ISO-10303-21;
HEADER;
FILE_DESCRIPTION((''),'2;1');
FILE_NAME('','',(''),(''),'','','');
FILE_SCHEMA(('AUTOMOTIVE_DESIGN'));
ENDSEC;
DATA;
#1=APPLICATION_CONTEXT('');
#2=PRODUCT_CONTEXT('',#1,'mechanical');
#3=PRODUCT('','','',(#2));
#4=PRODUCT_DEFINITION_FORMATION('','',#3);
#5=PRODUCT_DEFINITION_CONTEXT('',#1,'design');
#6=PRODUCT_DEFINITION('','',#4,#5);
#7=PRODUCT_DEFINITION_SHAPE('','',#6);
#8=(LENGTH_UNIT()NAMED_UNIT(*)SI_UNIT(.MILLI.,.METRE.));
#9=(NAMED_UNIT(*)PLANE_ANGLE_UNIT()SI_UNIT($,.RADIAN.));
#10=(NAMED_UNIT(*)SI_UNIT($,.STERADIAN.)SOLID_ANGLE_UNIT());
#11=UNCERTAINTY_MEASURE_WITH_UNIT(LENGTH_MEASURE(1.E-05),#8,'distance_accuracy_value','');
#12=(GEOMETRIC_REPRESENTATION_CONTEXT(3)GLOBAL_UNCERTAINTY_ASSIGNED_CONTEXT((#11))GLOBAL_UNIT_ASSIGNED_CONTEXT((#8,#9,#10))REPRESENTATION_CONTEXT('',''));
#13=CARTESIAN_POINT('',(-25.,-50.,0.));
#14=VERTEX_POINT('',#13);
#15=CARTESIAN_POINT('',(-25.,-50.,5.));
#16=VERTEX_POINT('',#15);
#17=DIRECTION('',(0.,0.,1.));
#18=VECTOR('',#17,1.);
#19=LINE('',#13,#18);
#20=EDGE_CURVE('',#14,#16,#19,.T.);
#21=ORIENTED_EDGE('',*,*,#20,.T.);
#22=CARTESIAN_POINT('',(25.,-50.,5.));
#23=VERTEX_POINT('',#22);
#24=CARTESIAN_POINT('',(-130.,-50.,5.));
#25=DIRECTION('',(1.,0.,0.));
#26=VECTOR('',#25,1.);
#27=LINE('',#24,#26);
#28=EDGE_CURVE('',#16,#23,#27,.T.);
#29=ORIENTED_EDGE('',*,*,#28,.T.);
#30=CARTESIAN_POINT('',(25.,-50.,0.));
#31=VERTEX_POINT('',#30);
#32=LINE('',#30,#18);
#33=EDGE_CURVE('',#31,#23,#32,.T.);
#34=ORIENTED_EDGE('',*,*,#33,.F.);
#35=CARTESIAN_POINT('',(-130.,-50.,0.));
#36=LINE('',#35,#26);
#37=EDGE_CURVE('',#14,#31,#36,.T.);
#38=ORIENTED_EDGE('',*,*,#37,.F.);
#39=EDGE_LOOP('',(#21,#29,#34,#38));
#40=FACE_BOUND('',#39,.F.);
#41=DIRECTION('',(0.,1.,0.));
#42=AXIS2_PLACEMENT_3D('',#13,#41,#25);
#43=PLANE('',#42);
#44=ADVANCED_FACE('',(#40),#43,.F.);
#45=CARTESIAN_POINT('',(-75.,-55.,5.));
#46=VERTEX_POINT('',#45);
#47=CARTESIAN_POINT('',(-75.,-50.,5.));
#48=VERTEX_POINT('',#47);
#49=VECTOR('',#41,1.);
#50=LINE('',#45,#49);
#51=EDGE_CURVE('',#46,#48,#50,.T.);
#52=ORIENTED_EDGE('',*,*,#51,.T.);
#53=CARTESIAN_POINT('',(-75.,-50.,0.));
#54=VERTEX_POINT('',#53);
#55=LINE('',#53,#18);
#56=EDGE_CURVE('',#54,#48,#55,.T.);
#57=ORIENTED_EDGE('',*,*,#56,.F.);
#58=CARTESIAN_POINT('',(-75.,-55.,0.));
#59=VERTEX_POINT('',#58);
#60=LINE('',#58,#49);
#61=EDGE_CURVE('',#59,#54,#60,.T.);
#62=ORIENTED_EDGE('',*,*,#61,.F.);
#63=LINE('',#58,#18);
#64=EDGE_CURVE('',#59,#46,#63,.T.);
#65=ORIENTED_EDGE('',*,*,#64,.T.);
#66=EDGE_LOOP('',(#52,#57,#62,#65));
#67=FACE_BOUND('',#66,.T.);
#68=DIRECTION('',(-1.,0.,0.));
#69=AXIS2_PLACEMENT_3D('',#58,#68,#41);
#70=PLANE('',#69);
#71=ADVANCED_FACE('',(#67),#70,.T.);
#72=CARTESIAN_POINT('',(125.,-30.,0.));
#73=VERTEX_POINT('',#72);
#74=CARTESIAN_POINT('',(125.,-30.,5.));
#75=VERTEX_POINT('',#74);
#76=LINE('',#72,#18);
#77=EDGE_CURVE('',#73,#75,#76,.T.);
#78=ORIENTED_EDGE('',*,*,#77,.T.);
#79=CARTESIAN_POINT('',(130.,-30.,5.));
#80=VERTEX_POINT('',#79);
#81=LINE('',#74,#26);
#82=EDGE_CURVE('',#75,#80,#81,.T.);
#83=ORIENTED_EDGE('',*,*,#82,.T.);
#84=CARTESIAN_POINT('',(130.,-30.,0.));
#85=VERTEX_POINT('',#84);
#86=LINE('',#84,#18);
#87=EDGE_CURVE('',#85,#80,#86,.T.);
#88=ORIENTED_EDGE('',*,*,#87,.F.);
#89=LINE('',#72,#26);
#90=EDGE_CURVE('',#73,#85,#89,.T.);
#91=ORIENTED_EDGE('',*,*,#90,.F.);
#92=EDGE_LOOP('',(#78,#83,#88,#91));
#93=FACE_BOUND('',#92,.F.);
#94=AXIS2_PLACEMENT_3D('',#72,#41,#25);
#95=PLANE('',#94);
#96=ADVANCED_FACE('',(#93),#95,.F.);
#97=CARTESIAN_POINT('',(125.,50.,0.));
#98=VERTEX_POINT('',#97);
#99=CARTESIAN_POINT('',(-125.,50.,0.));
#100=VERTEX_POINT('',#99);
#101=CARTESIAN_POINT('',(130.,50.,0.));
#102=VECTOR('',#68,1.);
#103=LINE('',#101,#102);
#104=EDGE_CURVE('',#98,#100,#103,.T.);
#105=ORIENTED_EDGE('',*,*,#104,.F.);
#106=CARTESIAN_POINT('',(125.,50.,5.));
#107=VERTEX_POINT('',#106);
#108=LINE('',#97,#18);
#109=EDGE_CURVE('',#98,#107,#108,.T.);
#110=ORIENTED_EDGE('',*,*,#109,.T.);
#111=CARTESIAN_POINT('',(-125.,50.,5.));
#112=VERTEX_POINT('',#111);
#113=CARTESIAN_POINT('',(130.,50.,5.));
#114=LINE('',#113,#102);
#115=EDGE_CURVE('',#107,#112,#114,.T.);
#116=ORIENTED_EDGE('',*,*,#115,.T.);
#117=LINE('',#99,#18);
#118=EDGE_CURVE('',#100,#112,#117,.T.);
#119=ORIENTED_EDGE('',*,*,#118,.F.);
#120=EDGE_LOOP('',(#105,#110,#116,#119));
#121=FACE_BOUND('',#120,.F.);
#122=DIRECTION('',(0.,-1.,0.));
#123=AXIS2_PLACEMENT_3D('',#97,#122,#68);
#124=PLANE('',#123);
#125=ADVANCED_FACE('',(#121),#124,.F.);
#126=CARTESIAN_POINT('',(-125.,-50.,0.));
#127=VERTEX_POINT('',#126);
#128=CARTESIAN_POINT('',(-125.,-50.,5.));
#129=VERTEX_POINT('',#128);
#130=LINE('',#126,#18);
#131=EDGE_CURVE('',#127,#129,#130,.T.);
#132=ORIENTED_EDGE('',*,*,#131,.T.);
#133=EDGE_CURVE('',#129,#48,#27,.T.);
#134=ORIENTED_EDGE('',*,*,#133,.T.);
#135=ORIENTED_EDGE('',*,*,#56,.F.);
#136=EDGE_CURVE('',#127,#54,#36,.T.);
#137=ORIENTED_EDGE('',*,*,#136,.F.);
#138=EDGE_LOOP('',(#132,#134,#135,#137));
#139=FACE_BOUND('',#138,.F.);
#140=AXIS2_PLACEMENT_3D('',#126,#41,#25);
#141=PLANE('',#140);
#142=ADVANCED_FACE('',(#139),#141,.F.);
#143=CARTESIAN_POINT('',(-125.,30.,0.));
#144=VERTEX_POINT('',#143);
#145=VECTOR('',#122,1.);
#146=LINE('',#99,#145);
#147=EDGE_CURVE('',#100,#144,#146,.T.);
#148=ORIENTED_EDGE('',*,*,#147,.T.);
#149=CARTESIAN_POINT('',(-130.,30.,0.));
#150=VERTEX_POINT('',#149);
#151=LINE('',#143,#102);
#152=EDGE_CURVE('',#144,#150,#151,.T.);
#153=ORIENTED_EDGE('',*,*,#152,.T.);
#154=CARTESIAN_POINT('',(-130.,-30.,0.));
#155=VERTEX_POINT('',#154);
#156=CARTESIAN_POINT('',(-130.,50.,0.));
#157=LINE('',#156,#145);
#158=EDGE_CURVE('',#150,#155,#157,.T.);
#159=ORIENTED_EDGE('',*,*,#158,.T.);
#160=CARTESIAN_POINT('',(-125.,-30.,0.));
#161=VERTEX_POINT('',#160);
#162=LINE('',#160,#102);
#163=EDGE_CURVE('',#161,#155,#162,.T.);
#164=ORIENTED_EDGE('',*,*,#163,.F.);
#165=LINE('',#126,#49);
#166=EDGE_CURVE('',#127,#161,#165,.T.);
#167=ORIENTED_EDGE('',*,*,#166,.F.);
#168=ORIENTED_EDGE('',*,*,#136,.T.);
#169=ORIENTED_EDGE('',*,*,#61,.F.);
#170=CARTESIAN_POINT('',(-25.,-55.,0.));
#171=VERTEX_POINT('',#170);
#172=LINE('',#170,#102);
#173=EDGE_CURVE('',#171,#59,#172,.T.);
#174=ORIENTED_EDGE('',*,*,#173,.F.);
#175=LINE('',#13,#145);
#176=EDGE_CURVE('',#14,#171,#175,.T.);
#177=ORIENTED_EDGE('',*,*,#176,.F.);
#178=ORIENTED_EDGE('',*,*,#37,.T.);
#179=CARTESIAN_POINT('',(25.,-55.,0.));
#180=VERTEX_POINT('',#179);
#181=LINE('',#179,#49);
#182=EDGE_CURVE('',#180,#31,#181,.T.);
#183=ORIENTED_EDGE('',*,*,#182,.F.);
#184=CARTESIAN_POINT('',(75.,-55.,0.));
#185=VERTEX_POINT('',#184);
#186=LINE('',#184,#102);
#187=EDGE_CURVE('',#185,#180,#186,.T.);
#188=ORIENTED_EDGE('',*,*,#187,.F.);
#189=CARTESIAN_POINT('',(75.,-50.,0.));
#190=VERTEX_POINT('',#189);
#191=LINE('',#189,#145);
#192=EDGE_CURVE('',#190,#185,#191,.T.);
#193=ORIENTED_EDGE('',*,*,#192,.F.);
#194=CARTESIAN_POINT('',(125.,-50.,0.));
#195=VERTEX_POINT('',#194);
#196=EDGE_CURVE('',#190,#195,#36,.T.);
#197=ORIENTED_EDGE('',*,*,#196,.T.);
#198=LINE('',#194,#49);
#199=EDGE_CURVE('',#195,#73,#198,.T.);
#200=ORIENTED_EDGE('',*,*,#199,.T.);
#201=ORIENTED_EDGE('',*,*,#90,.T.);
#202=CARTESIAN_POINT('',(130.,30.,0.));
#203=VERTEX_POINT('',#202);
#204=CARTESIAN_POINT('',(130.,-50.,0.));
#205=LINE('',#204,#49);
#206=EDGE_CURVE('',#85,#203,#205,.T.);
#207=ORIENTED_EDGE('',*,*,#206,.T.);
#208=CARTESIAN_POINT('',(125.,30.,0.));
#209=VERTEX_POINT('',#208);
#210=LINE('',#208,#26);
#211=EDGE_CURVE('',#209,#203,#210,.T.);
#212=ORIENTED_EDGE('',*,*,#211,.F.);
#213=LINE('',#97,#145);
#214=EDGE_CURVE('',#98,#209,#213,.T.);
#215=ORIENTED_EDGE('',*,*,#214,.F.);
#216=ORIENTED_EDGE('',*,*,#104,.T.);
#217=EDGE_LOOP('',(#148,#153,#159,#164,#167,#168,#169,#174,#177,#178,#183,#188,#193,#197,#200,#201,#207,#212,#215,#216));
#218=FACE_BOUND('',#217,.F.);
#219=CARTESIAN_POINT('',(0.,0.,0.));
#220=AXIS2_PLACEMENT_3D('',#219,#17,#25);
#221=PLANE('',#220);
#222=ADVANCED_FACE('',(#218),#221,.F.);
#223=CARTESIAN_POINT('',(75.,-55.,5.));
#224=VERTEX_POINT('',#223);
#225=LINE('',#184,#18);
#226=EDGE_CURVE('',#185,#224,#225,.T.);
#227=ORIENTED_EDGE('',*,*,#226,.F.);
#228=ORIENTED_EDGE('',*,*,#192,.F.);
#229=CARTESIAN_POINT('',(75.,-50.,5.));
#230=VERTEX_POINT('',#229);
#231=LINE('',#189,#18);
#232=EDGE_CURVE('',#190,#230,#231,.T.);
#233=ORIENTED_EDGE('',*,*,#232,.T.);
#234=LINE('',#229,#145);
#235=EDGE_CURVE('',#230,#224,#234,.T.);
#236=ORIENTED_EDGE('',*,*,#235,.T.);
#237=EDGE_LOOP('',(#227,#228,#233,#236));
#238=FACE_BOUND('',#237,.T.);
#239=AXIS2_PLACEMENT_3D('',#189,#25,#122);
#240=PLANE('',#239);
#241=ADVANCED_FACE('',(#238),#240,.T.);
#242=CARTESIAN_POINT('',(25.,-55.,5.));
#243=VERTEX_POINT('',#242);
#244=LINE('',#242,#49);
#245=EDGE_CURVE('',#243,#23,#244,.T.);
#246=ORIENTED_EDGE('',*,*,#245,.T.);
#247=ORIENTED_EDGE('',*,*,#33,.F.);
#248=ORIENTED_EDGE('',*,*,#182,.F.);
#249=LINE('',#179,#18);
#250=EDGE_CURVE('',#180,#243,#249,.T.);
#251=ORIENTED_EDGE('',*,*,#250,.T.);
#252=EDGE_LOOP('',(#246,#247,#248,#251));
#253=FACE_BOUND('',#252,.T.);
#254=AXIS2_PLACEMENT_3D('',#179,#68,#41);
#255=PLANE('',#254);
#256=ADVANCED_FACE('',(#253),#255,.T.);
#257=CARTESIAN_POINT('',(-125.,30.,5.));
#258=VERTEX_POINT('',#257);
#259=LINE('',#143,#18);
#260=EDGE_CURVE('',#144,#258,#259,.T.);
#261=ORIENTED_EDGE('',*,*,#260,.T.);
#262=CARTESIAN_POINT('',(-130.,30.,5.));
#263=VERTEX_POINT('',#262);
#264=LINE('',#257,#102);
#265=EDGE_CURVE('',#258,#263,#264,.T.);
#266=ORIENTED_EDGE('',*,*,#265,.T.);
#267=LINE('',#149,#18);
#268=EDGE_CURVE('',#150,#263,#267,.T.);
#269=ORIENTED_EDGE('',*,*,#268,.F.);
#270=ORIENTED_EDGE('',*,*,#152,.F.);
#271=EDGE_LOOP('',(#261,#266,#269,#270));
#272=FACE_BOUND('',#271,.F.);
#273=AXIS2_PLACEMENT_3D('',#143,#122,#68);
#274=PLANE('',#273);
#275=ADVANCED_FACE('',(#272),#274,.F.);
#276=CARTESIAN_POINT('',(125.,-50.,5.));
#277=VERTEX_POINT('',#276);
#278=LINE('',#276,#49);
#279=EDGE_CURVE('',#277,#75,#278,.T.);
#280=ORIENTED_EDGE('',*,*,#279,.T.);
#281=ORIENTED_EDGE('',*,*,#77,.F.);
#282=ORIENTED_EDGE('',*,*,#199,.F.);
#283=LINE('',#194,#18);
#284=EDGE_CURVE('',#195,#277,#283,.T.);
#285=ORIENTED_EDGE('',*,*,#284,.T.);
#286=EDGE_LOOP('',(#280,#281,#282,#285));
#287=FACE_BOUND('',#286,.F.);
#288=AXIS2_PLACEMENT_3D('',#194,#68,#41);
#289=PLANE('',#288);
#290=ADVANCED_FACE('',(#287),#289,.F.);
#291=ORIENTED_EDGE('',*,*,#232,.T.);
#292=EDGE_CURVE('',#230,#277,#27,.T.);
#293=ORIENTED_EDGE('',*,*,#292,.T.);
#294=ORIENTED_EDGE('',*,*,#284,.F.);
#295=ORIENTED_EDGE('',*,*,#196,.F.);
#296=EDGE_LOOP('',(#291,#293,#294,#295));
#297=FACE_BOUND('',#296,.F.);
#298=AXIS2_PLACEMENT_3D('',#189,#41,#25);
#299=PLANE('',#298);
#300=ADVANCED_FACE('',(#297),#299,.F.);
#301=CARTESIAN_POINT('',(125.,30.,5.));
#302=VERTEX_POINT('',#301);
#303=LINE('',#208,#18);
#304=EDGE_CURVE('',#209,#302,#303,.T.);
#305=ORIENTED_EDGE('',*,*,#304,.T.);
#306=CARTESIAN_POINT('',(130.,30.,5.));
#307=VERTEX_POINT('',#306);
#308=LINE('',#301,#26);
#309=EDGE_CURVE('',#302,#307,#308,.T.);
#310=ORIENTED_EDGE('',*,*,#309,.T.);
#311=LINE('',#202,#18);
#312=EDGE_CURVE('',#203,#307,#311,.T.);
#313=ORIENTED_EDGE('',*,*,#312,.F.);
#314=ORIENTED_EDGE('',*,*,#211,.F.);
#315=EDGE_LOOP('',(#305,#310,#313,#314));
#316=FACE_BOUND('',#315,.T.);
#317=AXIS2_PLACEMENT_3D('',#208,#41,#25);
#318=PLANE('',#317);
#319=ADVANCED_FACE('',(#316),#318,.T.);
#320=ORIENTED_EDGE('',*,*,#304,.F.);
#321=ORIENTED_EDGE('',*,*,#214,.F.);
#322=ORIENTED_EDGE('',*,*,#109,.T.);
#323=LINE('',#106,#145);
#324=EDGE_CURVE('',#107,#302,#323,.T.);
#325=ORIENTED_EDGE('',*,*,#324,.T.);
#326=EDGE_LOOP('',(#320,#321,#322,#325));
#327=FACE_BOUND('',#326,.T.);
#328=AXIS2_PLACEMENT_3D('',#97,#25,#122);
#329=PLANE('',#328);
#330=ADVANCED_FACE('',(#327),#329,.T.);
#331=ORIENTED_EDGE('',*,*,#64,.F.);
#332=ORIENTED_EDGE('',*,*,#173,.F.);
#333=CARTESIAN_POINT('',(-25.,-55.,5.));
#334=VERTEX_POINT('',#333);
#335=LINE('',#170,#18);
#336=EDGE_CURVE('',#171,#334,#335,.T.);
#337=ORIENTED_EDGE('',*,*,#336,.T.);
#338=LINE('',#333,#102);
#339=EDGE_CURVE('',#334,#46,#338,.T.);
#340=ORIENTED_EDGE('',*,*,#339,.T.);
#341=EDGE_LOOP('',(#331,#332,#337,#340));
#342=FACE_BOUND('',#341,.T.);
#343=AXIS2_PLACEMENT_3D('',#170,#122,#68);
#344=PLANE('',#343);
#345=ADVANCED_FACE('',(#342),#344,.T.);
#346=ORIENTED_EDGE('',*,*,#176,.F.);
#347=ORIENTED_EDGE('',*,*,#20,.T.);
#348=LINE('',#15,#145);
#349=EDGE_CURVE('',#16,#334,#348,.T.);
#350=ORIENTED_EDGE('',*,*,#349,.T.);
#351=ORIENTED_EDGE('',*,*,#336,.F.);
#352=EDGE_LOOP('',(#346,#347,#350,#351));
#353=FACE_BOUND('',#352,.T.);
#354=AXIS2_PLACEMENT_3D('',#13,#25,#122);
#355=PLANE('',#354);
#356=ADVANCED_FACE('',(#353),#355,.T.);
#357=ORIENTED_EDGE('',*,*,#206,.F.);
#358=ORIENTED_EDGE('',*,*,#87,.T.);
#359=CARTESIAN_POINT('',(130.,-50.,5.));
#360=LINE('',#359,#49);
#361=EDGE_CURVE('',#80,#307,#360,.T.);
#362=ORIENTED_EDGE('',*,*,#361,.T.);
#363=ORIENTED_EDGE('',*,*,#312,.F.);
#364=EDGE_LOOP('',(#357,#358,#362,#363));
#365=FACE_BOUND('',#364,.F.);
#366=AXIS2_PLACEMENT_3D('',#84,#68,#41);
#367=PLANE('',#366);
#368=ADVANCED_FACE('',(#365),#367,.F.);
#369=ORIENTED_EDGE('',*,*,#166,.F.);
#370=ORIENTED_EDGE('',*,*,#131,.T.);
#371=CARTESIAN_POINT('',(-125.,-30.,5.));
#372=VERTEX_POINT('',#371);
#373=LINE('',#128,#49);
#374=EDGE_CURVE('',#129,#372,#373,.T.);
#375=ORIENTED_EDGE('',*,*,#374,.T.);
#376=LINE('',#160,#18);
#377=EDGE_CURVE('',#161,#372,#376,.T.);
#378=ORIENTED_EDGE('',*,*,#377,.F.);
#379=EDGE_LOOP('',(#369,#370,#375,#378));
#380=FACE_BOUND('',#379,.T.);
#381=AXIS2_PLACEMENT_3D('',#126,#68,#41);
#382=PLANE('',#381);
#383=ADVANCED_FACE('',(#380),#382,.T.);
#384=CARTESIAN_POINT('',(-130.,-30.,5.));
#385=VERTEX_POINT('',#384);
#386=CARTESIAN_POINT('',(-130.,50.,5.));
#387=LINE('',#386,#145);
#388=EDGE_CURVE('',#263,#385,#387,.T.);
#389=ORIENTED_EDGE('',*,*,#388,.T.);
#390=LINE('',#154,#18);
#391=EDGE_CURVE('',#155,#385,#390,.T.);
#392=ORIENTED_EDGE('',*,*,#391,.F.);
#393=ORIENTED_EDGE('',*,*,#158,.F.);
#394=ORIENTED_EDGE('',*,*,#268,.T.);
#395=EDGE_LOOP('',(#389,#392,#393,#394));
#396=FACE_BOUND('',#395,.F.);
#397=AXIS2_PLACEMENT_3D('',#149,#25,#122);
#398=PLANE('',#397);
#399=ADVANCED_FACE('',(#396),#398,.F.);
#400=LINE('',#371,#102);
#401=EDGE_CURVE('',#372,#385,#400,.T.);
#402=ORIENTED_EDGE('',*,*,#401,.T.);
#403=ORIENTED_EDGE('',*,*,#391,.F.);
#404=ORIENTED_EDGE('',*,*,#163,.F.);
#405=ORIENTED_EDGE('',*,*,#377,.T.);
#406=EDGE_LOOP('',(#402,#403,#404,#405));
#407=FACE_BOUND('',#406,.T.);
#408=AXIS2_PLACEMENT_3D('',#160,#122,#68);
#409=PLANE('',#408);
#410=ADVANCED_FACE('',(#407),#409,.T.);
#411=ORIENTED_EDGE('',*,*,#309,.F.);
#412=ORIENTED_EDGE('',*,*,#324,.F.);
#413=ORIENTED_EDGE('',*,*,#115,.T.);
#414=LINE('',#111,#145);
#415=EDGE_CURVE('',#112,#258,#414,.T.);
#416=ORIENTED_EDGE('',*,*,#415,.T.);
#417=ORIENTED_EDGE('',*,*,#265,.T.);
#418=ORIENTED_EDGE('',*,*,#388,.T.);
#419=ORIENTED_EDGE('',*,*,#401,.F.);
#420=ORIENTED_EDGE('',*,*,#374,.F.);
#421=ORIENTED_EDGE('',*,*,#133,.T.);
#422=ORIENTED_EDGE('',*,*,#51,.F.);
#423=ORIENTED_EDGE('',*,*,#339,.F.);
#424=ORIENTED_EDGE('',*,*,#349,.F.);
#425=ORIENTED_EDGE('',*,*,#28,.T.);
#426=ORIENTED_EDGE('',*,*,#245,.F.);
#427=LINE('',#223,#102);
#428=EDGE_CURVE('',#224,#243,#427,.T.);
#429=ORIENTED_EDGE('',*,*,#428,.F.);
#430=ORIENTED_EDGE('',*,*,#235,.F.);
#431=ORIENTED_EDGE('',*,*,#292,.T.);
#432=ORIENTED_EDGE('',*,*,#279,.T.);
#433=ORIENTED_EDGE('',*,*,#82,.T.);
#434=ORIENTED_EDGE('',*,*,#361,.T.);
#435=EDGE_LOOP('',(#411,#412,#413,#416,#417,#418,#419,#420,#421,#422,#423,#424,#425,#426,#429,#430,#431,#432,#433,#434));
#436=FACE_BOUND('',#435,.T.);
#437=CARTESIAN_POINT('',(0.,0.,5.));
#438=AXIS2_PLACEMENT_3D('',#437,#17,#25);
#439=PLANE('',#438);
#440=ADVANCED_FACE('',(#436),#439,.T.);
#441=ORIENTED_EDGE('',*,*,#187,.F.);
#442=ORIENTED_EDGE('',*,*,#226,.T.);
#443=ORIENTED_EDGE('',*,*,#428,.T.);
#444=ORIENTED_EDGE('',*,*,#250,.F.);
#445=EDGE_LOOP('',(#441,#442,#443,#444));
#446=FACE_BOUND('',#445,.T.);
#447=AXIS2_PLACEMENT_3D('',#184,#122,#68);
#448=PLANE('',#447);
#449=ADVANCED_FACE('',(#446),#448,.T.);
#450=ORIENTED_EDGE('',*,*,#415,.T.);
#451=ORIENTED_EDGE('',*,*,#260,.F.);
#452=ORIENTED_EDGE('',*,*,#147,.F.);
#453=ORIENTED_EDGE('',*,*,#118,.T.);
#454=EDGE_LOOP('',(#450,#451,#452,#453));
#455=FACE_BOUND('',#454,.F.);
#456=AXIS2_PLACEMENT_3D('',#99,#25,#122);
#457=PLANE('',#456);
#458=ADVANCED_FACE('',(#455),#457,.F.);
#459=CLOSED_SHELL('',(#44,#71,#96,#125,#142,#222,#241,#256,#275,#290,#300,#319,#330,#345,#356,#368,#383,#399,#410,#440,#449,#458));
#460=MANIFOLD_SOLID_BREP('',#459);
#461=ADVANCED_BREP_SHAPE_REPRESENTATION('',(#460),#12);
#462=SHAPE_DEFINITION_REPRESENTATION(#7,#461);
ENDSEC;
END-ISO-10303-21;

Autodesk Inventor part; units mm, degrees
ref_plane "YZ Plane" through (0, 0, 0) normal (1, 0, 0) x (0, 1, 0)
ref_plane "XZ Plane" through (0, 0, 0) normal (0, 1, 0) x (-1, 0, 0)
ref_plane "XY Plane" through (0, 0, 0) normal (0, 0, 1) x (1, 0, 0)
sketch "Sketch1" plane through (0, 0, 0) normal (0, 0, 1) x (1, 0, 0)
  line L0 (-130, -50) -> (130, -50)
  line L1 (130, -50) -> (130, 50)
  line L2 (130, 50) -> (-130, 50)
  line L3 (-130, 50) -> (-130, -50)
  line L4 (-130, -50) -> (130, 50) construction
  line L5 (130, -50) -> (-130, 50) construction
  line L6 (-75, -50) -> (-25, -50)
  line L7 (-25, -50) -> (-25, -55)
  line L8 (-25, -55) -> (-75, -55)
  line L9 (-75, -55) -> (-75, -50)
  line L10 (25, -50) -> (75, -50)
  line L11 (75, -50) -> (75, -55)
  line L12 (75, -55) -> (25, -55)
  line L13 (25, -55) -> (25, -50)
  line L14 (130, 50) -> (125, 50)
  line L15 (125, 50) -> (125, 30)
  line L16 (125, 30) -> (130, 30)
  line L17 (130, 30) -> (130, 50)
  line L18 (130, -50) -> (125, -50)
  line L19 (125, -50) -> (125, -30)
  line L20 (125, -30) -> (130, -30)
  line L21 (130, -30) -> (130, -50)
  line L22 (0, 50) -> (0, -50) construction
  line L23 (-125, 50) -> (-125, 30)
  line L24 (-125, 30) -> (-130, 30)
  line L25 (-125, -50) -> (-125, -30)
  line L26 (-125, -30) -> (-130, -30)
  point P0 (0, 0)
  point P1 (-75, -52.5)
  point P2 (75, -50)
  point P3 (-125, -50)
  point P4 (130, -30)
  point P5 (130, 30)
  point P6 (125, 50)
  point P7 (-125, 50)
  point P8 (-130, 30)
  dimension "d0" = 260
  dimension "d1" = 100
  dimension "d2" = 50
  dimension "d3" = 50
  dimension "d4" = 50
  dimension "d5" = 55
  dimension "d6" = 5
  dimension "d10" = 20
  dimension "d12" = 5
  dimension "d13" = 20
extrude "Extrusion1" add sketch "Sketch1" along normal blind 5 contours L25 L26 L3 L24 L23 L2 L15 L16 L1 L20 L19 L0 | L0 L7 L8 L9 | L0 L11 L12 L13
equation "\"BendRadius\" = Thickness"
equation "\"BendReliefWidth\" = Thickness"
equation "\"BendReliefDepth\" = 0.5 * Thickness"
equation "\"CornerReliefSize\" = 4 * Thickness"
equation "\"MinimumRemnant\" = 2 * Thickness"
equation "\"TransitionRadius\" = BendRadius"
equation "\"JacobiRadiusSize\" = BendRadius"
equation "\"GapSize\" = Thickness"
equation "\"Thickness\" = 3.048"
properties part number "Lat1(3)" material "Wood (Cherry)"
